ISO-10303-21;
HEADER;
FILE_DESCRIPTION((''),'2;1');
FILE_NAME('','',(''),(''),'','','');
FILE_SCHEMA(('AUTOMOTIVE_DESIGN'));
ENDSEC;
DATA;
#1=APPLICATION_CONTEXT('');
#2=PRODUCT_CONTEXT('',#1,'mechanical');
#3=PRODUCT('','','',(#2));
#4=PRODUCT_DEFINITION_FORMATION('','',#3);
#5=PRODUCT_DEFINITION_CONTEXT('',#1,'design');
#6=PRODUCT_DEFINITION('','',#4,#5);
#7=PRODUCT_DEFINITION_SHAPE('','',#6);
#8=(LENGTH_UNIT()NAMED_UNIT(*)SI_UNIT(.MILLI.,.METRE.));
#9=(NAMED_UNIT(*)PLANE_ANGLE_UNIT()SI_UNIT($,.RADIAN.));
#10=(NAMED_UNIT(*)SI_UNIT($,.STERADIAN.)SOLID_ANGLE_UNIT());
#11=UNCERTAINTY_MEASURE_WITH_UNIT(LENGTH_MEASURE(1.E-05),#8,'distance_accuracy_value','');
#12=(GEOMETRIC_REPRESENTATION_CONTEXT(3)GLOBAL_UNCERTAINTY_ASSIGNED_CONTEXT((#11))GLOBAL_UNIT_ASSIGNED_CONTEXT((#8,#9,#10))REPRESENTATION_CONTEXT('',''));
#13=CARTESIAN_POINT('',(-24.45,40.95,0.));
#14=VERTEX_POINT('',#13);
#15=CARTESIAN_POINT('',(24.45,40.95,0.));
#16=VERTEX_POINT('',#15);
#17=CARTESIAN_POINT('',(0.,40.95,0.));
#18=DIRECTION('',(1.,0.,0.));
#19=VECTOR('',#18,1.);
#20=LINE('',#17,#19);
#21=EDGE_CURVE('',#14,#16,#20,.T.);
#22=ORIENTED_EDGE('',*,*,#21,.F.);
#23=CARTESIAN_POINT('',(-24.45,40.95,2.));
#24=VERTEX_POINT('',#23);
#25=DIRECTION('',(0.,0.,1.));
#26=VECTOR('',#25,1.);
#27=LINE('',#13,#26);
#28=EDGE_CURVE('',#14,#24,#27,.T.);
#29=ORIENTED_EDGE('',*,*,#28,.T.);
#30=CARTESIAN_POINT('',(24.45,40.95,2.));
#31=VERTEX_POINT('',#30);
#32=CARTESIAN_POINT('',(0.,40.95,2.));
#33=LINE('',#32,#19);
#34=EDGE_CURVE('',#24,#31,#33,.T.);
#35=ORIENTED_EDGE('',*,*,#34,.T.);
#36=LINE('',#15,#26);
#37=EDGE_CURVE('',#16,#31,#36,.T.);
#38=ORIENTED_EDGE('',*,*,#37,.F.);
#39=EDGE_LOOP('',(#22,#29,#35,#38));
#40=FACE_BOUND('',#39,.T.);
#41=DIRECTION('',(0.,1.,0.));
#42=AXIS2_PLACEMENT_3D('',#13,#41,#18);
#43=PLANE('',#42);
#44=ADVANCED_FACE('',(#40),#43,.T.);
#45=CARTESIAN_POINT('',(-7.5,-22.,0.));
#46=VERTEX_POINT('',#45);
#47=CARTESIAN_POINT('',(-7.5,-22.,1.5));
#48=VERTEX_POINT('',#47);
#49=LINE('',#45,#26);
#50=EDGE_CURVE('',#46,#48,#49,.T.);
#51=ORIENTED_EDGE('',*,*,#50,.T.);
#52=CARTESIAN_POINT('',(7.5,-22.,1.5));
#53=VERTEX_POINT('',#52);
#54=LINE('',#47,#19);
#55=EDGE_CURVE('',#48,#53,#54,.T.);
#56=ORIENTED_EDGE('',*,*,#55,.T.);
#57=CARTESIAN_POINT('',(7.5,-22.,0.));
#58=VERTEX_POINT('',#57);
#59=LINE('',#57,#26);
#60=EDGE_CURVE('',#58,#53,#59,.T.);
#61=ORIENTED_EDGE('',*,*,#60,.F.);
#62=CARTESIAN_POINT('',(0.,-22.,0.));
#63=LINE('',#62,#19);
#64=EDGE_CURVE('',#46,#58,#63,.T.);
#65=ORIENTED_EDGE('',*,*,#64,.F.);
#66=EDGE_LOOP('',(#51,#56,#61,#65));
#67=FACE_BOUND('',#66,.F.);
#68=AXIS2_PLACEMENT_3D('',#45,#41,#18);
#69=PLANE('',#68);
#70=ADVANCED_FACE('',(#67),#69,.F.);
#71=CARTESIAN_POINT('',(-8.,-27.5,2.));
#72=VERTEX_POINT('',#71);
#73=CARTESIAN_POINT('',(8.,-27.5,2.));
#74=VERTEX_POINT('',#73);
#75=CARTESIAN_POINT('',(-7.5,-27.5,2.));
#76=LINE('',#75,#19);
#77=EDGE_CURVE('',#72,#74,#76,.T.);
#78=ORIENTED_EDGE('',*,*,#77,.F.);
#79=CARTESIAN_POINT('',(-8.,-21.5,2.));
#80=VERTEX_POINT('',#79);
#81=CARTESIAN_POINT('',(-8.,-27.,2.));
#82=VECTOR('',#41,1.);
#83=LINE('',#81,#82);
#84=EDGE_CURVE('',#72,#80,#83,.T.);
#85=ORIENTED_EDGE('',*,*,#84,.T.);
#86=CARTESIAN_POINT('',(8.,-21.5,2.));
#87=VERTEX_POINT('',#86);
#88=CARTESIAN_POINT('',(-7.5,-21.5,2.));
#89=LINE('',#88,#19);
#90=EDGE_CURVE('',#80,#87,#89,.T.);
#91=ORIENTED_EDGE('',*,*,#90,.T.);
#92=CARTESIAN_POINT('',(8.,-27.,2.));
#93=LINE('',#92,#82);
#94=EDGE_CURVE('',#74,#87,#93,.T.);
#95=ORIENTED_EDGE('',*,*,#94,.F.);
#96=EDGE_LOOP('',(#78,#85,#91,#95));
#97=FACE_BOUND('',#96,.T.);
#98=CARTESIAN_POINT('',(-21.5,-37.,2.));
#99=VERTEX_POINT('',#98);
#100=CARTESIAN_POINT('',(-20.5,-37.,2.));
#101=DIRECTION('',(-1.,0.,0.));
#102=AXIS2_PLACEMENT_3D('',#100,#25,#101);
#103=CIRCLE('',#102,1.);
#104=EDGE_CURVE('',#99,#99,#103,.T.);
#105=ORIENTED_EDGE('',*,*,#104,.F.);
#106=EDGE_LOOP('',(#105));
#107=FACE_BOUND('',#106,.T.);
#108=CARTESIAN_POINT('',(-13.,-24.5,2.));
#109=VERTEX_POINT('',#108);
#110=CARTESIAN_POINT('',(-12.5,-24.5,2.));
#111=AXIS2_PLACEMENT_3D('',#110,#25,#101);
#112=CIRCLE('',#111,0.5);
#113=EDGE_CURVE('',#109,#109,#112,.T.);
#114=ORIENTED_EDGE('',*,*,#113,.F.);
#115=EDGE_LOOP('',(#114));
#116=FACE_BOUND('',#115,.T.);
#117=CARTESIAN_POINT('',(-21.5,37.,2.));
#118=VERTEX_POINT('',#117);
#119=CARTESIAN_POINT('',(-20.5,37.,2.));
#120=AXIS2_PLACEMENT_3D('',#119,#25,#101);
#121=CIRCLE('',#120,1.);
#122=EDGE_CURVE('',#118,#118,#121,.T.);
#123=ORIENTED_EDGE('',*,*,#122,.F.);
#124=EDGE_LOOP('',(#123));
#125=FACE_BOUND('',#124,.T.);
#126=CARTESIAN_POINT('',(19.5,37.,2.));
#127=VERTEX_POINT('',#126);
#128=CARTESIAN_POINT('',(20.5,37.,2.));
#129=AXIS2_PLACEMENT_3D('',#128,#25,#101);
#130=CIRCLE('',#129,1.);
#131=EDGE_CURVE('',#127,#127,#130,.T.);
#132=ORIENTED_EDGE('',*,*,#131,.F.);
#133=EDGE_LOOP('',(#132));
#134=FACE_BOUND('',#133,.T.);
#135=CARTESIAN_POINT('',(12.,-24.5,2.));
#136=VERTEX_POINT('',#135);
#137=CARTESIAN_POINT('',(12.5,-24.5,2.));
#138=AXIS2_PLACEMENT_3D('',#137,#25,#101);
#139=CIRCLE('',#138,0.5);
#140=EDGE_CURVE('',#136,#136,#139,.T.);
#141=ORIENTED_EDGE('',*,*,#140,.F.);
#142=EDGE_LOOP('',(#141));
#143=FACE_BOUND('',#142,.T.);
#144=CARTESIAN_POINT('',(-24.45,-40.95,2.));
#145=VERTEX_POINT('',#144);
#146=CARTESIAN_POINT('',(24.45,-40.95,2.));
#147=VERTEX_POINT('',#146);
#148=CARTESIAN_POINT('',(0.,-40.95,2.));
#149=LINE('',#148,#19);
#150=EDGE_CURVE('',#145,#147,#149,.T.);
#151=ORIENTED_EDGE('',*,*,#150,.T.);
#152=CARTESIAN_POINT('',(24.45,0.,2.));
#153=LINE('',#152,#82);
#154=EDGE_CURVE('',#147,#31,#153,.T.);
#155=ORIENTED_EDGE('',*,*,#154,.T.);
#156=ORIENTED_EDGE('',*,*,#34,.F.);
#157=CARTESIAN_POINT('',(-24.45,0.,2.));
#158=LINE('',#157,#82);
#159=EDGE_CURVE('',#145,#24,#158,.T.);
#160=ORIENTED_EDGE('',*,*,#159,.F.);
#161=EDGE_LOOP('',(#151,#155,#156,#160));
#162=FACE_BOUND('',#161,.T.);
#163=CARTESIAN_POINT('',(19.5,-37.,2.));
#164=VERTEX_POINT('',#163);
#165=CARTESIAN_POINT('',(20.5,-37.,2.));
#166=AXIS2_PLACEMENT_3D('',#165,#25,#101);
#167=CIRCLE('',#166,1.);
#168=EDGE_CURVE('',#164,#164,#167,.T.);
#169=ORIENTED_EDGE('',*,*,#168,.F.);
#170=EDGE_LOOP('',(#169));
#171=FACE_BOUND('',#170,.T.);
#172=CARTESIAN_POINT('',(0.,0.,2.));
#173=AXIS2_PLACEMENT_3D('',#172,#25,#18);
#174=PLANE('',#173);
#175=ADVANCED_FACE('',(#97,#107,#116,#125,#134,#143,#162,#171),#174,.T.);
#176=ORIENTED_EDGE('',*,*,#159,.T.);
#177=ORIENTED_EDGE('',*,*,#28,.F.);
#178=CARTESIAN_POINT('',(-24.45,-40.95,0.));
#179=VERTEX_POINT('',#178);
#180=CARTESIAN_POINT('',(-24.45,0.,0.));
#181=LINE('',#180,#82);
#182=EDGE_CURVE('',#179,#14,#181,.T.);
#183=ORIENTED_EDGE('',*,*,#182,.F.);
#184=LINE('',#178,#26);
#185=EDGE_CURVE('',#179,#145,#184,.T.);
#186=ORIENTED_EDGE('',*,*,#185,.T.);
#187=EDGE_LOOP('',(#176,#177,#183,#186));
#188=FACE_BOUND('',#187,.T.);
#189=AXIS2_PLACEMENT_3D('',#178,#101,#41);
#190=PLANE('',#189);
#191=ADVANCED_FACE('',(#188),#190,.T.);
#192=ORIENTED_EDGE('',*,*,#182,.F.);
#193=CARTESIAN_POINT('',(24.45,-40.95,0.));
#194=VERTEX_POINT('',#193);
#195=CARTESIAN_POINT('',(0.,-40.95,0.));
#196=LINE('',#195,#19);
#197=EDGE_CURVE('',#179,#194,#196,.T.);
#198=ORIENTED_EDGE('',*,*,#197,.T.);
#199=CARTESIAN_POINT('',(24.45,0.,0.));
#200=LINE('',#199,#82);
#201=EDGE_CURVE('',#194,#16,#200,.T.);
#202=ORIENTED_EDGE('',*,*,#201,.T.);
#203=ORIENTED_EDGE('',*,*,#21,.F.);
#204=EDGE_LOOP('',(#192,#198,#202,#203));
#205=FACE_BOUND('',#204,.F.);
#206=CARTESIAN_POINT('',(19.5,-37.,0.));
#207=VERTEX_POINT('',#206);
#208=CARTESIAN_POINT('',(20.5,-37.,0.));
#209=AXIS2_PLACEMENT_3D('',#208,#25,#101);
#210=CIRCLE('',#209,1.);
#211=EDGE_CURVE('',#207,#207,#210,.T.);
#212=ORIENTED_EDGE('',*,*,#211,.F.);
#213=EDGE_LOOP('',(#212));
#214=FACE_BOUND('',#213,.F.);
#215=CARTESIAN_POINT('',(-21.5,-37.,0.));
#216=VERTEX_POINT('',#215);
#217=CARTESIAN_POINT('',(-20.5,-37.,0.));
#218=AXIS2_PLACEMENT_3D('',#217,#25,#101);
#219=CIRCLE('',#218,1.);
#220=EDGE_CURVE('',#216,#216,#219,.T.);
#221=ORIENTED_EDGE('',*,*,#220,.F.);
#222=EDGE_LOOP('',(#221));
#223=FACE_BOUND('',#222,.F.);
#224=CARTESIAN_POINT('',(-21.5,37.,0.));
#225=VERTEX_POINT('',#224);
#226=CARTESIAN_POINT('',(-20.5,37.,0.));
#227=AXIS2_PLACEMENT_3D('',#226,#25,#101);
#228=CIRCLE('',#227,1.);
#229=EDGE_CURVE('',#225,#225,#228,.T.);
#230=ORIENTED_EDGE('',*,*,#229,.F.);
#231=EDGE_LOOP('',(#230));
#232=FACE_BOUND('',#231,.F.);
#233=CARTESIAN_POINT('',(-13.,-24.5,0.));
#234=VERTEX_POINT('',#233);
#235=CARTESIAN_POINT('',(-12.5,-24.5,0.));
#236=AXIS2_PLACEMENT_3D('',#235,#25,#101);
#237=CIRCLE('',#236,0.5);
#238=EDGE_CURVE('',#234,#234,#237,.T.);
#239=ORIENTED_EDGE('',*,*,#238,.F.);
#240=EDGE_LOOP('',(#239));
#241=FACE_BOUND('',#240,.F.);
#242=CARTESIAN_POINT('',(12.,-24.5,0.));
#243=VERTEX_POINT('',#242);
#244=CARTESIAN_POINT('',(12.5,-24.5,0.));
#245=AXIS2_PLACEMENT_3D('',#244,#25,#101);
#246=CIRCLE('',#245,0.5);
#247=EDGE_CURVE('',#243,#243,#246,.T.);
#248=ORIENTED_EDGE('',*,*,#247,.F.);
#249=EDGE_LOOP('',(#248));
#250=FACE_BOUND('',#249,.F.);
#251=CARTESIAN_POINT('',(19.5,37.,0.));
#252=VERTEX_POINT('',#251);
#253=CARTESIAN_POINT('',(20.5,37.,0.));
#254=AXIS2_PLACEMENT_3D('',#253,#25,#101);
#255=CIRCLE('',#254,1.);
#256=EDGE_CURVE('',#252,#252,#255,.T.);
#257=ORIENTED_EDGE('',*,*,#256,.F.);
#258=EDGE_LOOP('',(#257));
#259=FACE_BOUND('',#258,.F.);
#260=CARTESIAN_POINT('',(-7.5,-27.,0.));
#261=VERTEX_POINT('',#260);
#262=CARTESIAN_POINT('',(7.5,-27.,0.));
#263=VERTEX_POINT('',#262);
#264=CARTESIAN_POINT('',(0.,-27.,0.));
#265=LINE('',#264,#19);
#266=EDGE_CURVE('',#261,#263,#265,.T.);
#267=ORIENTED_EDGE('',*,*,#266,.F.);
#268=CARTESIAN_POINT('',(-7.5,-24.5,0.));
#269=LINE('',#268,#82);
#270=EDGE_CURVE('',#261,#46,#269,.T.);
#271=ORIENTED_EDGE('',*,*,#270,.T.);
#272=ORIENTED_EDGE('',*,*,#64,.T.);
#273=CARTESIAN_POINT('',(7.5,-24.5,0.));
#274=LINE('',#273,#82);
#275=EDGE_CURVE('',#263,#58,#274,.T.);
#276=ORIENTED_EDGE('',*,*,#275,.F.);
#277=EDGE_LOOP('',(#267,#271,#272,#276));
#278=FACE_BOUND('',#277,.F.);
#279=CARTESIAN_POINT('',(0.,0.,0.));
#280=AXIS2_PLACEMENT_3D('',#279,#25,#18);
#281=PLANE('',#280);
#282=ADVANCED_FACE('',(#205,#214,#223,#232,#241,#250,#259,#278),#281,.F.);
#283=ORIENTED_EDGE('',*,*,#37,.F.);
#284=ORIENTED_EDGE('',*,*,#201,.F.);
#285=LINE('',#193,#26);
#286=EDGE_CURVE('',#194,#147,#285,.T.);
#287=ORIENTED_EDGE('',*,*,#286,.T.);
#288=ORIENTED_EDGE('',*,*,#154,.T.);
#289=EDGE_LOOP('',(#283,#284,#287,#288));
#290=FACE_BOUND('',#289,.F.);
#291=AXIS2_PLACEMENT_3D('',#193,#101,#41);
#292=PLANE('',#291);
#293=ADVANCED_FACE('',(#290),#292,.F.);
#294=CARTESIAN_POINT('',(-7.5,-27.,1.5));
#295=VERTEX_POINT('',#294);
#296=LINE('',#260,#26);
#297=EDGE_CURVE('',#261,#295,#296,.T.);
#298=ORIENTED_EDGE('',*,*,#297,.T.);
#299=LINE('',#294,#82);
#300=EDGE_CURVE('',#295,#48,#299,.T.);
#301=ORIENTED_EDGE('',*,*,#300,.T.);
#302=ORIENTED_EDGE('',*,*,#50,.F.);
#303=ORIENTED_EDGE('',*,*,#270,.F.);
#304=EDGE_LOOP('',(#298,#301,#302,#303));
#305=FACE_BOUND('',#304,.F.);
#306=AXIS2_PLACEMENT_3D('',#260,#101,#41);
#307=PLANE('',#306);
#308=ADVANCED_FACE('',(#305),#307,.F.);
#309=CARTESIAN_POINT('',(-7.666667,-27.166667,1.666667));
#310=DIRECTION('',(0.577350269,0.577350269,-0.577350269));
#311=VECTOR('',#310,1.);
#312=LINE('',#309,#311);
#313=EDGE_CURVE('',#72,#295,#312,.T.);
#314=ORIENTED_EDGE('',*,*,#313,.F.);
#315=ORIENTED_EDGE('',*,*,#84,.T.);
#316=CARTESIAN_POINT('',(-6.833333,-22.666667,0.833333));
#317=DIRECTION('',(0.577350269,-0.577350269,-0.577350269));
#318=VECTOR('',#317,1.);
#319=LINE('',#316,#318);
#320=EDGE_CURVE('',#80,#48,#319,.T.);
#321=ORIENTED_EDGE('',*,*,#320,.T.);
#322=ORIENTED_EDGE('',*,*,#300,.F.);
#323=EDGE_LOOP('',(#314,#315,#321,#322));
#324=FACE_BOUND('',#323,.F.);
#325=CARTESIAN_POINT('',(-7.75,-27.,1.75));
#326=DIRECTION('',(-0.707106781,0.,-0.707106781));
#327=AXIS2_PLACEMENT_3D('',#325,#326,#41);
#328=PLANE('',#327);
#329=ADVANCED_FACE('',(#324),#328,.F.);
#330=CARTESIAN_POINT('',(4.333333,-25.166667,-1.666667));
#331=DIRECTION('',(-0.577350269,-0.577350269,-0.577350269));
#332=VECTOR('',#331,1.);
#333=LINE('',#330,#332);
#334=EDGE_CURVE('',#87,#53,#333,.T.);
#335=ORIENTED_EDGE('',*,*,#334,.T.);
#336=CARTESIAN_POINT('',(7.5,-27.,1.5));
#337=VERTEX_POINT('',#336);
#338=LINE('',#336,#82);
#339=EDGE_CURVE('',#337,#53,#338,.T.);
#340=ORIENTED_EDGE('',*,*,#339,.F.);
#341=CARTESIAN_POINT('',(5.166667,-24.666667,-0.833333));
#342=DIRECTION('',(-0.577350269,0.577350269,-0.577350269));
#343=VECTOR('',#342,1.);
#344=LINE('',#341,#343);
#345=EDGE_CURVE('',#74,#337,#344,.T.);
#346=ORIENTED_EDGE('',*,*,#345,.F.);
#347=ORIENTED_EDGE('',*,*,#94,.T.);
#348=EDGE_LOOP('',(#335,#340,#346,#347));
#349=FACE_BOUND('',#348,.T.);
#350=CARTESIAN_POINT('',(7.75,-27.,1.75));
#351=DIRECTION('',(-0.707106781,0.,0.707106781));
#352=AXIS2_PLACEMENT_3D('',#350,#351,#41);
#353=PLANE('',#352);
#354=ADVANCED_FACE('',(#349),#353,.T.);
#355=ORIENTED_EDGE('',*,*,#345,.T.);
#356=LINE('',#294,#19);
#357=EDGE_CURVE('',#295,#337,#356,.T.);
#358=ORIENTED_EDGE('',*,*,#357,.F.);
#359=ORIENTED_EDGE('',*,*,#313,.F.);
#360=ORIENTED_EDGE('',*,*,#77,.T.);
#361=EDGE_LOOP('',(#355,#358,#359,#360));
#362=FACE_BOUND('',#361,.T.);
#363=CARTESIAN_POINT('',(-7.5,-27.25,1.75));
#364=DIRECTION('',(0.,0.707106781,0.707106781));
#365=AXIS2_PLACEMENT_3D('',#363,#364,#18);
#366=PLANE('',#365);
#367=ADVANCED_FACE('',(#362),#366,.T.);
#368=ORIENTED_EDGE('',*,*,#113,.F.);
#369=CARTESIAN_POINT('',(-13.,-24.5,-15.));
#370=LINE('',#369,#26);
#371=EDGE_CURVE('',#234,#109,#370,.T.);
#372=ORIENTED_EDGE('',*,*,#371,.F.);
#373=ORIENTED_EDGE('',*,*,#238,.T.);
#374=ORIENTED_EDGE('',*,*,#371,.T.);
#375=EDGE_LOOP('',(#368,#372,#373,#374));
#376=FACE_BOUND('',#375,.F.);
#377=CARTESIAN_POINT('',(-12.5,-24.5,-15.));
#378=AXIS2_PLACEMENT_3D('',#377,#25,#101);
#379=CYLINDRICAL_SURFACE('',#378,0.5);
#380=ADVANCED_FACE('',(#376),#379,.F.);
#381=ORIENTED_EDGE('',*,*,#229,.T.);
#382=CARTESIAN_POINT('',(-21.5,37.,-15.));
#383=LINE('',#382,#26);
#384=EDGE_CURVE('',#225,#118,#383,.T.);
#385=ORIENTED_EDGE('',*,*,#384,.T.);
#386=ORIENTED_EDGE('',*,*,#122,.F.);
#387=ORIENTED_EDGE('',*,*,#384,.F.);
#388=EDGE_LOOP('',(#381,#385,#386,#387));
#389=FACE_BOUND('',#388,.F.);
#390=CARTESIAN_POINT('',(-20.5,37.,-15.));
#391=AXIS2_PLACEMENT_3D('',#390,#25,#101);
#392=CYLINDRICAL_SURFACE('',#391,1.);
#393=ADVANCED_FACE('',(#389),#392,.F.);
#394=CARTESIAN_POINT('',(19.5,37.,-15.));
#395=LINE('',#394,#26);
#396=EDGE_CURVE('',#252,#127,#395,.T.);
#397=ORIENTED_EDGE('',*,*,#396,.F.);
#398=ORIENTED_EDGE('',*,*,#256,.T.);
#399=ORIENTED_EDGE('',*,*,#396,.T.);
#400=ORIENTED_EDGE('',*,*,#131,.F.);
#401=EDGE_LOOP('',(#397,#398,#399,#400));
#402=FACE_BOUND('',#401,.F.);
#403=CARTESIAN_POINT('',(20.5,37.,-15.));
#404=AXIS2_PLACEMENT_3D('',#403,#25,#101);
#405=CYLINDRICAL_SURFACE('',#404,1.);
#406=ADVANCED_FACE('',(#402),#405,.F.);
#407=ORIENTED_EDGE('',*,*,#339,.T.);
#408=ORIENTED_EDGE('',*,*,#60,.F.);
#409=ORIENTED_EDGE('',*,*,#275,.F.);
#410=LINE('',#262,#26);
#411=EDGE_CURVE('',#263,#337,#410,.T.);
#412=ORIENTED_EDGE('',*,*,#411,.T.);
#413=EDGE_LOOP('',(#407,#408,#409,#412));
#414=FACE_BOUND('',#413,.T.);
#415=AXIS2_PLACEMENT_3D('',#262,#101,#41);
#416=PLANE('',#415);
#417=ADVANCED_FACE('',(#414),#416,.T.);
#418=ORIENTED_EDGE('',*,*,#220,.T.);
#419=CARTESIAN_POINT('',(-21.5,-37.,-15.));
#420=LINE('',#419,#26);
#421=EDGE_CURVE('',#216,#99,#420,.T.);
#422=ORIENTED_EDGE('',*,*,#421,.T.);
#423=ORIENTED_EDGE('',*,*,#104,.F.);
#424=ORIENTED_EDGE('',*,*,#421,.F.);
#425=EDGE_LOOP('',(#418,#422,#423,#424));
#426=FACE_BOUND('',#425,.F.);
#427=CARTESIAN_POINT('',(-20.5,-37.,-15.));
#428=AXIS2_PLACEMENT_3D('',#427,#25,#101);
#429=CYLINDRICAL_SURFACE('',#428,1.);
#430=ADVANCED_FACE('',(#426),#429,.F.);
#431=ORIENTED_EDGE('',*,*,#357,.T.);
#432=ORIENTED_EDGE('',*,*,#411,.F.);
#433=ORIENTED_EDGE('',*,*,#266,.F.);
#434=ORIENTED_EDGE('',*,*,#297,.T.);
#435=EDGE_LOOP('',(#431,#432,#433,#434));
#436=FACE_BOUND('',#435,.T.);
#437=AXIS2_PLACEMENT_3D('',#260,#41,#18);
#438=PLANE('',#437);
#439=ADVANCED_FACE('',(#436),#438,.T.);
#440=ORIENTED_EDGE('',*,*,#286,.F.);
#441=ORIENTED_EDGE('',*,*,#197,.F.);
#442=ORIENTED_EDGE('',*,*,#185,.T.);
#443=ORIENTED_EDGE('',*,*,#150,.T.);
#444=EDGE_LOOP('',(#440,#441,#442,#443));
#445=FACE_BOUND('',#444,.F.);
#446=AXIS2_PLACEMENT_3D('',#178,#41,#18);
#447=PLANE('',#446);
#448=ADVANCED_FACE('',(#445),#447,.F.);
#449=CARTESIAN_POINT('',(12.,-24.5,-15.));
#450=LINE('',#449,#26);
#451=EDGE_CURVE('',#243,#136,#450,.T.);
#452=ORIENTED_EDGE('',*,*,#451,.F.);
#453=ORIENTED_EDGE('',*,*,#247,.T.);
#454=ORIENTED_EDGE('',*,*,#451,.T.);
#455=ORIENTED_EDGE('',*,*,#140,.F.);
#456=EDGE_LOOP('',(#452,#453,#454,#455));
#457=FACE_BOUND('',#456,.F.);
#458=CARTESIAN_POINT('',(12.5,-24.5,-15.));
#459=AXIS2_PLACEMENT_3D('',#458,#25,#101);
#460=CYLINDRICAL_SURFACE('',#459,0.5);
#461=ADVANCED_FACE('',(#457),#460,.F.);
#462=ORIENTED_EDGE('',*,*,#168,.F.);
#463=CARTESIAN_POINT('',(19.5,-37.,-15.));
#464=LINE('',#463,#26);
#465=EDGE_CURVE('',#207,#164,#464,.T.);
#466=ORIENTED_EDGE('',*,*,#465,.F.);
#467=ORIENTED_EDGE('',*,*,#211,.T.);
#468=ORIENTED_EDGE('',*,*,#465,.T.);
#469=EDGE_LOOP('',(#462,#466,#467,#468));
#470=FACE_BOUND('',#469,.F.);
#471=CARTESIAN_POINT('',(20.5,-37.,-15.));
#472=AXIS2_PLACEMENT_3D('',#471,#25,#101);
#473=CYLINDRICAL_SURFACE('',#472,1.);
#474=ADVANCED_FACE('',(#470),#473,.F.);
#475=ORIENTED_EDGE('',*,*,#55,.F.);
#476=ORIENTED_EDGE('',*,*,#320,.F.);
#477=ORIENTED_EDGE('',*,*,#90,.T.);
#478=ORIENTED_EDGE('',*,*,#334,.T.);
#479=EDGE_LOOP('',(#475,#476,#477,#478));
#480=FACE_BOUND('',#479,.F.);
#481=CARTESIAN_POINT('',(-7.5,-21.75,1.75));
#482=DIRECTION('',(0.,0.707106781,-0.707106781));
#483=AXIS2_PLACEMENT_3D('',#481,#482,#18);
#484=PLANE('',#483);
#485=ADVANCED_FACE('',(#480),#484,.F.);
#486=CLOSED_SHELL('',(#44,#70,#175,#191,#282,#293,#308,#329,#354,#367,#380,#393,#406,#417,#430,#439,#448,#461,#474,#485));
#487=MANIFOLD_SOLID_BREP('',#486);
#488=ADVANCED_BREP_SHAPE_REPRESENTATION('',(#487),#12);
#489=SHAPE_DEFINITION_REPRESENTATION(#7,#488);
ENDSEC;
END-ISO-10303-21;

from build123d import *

# Parameters (mm, degrees)
F0_W     = 48.9
F0_H     = 81.9
F0_W_2   = 15
F0_H_2   = 5
F1_DEPTH = 2
F2_D     = 2
F2_DEPTH = 15
F2_TIP   = 0.600860619
F3_D     = 1
F3_DEPTH = 15
F3_TIP   = 0.3004303095
F4_SIZE  = 0.5


with BuildPart() as f1:
    # F0 (on Top) → F1 (new body)
    with BuildSketch(Plane.XY):
        Rectangle(F0_W, F0_H)
        with Locations((0, -24.5)):
            Rectangle(F0_W_2, F0_H_2, mode=Mode.SUBTRACT)
    extrude(amount=F1_DEPTH)

    # F2
    with Locations(Plane(origin=(0, 0, 0), x_dir=(1, 0, 0), z_dir=(0, 0, -1))):
        with Locations((-20.5, -37), (20.5, -37), (-20.5, 37), (20.5, 37)):
            Hole(F2_D / 2, depth=F2_DEPTH)
            with Locations((0, 0, -(F2_DEPTH + F2_TIP / 2))):  # 118° drill point
                Cone(0, F2_D / 2, F2_TIP, mode=Mode.SUBTRACT)

    # F3
    with Locations(Plane(origin=(0, 0, 0), x_dir=(1, 0, 0), z_dir=(0, 0, -1))):
        with Locations((-12.5, 24.5), (12.5, 24.5)):
            Hole(F3_D / 2, depth=F3_DEPTH)
            with Locations((0, 0, -(F3_DEPTH + F3_TIP / 2))):  # 118° drill point
                Cone(0, F3_D / 2, F3_TIP, mode=Mode.SUBTRACT)

    # F4
    f4_edges = [f1.edges().sort_by_distance(p)[0] for p in [
        (0, -22, 2),
        (-7.5, -24.5, 2),
        (0, -27, 2),
        (7.5, -24.5, 2),
    ]]
    chamfer(f4_edges, length=F4_SIZE)


solid = f1.part
